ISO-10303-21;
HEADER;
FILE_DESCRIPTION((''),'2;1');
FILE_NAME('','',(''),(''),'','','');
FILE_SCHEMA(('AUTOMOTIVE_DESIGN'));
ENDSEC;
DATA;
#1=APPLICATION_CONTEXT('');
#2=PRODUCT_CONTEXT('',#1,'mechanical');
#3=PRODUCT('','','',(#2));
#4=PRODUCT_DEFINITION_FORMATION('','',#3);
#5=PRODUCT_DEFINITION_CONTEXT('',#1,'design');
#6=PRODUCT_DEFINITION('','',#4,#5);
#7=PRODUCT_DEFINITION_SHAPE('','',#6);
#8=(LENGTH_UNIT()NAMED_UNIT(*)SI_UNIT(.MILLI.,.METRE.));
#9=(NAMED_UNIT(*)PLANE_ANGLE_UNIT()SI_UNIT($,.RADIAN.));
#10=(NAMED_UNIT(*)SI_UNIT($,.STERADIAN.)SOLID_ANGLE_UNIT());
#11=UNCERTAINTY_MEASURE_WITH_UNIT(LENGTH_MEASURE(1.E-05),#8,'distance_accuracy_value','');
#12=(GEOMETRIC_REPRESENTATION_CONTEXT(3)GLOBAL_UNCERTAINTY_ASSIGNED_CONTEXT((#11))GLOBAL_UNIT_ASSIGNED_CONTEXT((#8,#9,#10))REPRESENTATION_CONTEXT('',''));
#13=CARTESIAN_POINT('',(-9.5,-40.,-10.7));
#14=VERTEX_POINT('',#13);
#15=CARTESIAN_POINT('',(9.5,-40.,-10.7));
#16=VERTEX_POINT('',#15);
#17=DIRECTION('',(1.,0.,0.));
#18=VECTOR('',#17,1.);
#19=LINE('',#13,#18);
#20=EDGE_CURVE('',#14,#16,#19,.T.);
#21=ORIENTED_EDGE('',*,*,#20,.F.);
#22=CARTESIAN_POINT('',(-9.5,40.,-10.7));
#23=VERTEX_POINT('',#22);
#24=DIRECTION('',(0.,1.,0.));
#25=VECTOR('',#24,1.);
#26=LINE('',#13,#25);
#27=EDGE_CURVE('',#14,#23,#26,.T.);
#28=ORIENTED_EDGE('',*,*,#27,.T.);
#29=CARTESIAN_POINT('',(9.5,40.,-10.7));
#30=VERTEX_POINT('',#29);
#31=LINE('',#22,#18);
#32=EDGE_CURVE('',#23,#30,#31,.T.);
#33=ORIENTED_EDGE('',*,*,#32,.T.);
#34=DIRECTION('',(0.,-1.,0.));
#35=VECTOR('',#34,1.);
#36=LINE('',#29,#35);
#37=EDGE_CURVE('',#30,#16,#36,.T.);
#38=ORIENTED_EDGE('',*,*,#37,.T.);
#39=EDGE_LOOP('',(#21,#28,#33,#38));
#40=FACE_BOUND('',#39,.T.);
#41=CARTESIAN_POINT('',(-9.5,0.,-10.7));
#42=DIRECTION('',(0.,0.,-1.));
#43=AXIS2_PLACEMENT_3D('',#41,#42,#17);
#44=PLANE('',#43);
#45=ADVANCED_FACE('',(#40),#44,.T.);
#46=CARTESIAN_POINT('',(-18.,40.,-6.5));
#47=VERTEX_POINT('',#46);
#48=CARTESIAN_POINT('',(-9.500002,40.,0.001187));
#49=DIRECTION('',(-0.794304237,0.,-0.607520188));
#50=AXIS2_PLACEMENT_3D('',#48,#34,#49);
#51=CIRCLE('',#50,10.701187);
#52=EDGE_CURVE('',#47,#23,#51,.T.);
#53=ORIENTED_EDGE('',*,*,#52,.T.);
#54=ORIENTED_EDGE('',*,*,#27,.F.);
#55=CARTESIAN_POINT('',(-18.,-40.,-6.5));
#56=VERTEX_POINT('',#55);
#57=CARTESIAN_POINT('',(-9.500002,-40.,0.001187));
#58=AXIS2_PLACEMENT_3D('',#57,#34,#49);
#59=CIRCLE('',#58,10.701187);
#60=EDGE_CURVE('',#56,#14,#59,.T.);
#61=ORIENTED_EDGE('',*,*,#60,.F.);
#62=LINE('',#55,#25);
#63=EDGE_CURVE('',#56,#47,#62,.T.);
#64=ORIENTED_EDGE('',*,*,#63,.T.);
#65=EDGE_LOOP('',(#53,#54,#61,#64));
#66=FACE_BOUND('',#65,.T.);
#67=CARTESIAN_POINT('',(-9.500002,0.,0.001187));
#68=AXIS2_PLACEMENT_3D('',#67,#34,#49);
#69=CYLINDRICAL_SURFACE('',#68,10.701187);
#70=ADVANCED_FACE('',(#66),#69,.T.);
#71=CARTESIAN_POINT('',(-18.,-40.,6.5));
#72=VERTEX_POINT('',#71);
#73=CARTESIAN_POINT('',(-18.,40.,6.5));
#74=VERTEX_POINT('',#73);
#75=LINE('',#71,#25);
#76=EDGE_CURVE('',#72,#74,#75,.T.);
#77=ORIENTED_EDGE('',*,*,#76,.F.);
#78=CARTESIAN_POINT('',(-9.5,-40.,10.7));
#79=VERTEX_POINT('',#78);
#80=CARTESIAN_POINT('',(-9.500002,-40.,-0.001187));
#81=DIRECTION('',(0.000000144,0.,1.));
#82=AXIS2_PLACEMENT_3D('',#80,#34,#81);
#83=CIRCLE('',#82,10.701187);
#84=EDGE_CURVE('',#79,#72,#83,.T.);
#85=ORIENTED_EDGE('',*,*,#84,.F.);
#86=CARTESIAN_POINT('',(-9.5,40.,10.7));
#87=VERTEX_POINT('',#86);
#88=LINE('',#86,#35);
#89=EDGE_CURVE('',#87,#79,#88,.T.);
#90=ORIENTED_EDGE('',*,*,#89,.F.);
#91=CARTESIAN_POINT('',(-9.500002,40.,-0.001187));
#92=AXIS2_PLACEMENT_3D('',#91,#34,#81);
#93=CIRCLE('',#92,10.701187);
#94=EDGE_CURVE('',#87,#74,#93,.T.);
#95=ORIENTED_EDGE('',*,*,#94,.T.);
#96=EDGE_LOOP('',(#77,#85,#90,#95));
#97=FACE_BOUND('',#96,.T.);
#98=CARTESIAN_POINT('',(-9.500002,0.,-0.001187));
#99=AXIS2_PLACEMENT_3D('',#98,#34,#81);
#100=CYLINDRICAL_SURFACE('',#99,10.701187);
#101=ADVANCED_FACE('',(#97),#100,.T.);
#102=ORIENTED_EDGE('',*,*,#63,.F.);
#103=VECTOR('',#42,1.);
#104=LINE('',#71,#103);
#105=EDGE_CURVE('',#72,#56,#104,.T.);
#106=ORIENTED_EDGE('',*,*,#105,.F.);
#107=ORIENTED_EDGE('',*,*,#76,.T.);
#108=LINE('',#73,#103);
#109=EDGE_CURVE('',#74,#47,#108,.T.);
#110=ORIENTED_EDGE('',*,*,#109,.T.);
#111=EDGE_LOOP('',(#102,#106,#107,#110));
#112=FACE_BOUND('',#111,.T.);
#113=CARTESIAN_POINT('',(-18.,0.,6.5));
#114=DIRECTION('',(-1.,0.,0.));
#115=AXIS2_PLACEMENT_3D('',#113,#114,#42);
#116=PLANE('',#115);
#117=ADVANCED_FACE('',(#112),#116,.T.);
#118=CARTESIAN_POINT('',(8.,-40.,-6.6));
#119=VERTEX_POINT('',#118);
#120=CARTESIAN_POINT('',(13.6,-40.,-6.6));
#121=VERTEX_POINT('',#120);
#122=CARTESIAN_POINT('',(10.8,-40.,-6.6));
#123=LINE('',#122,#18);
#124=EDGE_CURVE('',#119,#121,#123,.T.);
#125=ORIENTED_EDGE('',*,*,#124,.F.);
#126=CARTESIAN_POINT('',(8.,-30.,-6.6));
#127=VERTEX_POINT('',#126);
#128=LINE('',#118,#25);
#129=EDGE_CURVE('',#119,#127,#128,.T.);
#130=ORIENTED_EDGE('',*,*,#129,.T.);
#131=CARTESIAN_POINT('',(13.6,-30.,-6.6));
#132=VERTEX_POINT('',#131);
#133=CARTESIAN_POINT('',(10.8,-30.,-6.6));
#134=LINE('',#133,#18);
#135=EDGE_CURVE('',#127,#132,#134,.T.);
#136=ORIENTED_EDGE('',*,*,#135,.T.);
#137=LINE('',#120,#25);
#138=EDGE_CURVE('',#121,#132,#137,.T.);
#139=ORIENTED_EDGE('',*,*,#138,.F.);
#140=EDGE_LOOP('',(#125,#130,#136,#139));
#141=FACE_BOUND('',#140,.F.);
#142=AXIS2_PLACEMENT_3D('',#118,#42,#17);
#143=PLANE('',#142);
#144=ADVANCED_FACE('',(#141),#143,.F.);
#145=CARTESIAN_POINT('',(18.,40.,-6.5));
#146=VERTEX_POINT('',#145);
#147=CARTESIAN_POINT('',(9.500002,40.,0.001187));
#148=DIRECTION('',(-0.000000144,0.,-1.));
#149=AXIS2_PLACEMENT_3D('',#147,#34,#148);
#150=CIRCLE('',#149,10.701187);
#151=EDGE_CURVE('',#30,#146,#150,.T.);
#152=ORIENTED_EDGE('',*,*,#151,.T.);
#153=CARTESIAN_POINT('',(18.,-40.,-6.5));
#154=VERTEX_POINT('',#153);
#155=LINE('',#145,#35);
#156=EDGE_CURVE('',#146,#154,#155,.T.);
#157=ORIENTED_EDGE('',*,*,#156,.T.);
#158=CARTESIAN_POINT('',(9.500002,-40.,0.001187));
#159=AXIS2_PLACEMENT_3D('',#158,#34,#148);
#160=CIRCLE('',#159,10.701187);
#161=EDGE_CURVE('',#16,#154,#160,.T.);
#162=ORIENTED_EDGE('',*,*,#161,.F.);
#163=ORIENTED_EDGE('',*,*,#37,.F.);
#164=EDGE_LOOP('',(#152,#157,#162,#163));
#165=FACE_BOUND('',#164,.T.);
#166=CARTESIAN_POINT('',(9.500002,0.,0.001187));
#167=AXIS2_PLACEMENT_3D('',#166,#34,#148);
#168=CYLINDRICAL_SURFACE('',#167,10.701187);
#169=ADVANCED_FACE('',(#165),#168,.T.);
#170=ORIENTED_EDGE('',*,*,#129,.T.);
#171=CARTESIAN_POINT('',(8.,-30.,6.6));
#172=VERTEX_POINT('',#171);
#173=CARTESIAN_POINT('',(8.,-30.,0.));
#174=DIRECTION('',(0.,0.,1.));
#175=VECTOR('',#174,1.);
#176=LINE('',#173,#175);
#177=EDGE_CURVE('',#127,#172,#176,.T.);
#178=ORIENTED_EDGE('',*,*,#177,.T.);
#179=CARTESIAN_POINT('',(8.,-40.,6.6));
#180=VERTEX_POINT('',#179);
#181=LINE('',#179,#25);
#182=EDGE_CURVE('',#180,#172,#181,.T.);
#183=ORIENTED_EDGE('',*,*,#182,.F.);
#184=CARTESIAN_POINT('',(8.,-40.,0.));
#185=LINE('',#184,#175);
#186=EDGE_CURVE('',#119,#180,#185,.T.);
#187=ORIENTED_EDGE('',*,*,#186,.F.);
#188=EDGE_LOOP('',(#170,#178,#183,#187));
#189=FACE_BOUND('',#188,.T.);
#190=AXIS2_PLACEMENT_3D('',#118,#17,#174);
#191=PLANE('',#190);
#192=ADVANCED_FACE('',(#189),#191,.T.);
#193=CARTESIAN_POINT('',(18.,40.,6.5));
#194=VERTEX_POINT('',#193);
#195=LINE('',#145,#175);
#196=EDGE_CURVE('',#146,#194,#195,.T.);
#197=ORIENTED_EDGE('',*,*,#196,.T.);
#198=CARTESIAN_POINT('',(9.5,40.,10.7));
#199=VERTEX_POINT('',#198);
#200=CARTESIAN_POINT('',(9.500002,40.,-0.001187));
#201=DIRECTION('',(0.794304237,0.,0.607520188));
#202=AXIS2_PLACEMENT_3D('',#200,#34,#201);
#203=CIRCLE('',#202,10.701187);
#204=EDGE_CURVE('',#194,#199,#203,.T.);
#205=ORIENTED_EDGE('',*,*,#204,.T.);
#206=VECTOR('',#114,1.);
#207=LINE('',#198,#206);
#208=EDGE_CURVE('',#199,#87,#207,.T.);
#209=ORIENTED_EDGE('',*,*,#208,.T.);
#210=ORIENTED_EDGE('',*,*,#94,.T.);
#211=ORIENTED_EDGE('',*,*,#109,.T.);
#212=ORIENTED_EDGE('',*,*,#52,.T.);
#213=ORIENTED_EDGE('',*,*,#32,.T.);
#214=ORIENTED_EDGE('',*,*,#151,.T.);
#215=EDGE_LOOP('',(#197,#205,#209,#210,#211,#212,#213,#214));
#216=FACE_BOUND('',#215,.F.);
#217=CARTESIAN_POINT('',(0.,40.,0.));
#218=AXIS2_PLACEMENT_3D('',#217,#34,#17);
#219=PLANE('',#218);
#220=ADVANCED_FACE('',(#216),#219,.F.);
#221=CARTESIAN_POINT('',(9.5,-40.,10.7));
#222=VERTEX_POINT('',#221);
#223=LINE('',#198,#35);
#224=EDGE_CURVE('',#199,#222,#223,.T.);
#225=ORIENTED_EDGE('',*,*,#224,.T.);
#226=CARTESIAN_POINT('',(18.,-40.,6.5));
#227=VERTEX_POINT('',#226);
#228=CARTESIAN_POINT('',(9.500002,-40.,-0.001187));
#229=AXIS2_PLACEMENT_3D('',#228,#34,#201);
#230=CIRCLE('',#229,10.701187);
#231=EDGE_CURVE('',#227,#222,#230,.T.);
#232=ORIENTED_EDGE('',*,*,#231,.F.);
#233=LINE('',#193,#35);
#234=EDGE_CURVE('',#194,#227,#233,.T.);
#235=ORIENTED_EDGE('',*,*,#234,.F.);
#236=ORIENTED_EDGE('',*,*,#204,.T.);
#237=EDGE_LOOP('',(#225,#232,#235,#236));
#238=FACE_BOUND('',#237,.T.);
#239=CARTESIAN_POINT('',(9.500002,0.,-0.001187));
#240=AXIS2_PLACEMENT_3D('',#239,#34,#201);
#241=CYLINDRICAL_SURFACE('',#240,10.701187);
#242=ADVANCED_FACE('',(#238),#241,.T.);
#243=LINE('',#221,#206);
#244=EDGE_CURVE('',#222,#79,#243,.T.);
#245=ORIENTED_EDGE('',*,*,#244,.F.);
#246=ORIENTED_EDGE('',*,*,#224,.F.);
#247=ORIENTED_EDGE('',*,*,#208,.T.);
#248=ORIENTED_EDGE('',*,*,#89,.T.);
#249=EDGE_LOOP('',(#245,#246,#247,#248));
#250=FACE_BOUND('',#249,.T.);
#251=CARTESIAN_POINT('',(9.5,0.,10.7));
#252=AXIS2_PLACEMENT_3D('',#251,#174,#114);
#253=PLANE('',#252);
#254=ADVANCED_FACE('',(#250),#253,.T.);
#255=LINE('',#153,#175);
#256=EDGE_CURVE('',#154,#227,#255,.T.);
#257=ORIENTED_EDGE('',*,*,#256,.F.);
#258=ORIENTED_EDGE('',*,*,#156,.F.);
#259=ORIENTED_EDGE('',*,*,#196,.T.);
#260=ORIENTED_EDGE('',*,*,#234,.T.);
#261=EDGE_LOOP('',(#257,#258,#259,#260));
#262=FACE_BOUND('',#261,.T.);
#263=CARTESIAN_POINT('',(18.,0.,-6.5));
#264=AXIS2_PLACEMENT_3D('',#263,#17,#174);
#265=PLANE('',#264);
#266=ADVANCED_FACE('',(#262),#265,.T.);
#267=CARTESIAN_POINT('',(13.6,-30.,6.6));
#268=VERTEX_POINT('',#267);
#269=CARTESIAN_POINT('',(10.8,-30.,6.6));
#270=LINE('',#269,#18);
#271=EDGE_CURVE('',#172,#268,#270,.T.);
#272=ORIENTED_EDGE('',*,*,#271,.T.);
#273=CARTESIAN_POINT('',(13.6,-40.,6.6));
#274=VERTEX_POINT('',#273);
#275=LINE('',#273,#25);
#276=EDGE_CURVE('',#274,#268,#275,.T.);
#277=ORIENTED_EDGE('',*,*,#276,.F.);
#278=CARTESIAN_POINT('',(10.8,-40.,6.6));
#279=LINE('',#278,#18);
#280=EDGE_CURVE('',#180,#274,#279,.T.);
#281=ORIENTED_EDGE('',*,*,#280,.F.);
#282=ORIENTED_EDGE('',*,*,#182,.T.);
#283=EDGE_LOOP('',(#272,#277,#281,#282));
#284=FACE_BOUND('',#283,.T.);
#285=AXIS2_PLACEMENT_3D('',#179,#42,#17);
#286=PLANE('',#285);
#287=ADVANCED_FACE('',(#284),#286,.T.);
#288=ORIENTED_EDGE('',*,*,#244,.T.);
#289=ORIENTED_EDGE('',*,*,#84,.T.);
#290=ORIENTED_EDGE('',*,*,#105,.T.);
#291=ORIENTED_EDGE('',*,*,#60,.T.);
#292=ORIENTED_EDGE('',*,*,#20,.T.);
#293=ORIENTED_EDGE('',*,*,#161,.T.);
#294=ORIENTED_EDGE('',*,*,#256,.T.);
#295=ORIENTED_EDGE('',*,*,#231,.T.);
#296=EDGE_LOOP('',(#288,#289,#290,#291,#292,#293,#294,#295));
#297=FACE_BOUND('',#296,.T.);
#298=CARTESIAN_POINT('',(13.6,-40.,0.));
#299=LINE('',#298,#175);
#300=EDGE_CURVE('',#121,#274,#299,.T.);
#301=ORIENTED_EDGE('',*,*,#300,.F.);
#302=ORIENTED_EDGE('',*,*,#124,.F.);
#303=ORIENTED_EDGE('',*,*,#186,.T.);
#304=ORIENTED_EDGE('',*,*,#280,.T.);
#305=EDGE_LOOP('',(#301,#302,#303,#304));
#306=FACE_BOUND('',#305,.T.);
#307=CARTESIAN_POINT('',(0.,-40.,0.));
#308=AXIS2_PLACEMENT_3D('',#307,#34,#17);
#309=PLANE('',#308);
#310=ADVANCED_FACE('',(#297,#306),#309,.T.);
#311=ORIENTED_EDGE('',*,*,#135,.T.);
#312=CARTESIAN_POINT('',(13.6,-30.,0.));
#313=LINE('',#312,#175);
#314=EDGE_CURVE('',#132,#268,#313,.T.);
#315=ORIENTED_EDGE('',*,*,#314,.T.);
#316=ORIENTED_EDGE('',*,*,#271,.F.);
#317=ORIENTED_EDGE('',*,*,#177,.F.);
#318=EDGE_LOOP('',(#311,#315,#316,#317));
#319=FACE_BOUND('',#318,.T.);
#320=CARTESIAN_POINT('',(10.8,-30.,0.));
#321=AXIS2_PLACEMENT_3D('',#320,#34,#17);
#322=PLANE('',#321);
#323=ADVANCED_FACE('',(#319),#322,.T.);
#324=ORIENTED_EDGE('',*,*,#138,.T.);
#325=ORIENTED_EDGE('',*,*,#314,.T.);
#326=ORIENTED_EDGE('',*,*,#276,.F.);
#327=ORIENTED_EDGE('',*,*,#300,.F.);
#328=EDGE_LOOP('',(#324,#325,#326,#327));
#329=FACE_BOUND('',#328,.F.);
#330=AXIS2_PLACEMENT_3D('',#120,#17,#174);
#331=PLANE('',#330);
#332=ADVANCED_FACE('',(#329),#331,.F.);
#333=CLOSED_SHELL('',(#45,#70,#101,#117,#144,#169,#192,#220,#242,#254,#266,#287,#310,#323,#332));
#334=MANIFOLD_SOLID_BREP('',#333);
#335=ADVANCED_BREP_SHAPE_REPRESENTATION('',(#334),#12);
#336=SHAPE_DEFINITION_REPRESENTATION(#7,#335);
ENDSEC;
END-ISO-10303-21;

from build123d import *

# Parameters (mm, degrees)
F1_DEPTH = 40
F2_W     = 5.6
F2_H     = 13.2
F3_DEPTH = 10


with BuildPart() as f1:
    # F0 (on Front) → F1 (new body, symmetric)
    with BuildSketch(Plane.XZ):
        with BuildLine():
            Line((-9.5, -10.7), (9.5, -10.7))
            ThreePointArc((9.5, -10.7), (14.240517, -9.592713), (18, -6.5))
            Line((18, -6.5), (18, 6.5))
            ThreePointArc((18, 6.5), (14.240517, 9.592713), (9.5, 10.7))
            Line((9.5, 10.7), (-9.5, 10.7))
            ThreePointArc((-9.5, 10.7), (-14.240517, 9.592713), (-18, 6.5))
            Line((-18, 6.5), (-18, -6.5))
            ThreePointArc((-18, -6.5), (-14.240517, -9.592713), (-9.5, -10.7))
        make_face()
    extrude(amount=F1_DEPTH, both=True)

    # F2 (on face) → F3 (cut)
    with BuildSketch(Plane.XZ.offset(40)):
        with Locations((10.8, 0)):
            Rectangle(F2_W, F2_H)
    extrude(amount=-F3_DEPTH, mode=Mode.SUBTRACT)


solid = f1.part
